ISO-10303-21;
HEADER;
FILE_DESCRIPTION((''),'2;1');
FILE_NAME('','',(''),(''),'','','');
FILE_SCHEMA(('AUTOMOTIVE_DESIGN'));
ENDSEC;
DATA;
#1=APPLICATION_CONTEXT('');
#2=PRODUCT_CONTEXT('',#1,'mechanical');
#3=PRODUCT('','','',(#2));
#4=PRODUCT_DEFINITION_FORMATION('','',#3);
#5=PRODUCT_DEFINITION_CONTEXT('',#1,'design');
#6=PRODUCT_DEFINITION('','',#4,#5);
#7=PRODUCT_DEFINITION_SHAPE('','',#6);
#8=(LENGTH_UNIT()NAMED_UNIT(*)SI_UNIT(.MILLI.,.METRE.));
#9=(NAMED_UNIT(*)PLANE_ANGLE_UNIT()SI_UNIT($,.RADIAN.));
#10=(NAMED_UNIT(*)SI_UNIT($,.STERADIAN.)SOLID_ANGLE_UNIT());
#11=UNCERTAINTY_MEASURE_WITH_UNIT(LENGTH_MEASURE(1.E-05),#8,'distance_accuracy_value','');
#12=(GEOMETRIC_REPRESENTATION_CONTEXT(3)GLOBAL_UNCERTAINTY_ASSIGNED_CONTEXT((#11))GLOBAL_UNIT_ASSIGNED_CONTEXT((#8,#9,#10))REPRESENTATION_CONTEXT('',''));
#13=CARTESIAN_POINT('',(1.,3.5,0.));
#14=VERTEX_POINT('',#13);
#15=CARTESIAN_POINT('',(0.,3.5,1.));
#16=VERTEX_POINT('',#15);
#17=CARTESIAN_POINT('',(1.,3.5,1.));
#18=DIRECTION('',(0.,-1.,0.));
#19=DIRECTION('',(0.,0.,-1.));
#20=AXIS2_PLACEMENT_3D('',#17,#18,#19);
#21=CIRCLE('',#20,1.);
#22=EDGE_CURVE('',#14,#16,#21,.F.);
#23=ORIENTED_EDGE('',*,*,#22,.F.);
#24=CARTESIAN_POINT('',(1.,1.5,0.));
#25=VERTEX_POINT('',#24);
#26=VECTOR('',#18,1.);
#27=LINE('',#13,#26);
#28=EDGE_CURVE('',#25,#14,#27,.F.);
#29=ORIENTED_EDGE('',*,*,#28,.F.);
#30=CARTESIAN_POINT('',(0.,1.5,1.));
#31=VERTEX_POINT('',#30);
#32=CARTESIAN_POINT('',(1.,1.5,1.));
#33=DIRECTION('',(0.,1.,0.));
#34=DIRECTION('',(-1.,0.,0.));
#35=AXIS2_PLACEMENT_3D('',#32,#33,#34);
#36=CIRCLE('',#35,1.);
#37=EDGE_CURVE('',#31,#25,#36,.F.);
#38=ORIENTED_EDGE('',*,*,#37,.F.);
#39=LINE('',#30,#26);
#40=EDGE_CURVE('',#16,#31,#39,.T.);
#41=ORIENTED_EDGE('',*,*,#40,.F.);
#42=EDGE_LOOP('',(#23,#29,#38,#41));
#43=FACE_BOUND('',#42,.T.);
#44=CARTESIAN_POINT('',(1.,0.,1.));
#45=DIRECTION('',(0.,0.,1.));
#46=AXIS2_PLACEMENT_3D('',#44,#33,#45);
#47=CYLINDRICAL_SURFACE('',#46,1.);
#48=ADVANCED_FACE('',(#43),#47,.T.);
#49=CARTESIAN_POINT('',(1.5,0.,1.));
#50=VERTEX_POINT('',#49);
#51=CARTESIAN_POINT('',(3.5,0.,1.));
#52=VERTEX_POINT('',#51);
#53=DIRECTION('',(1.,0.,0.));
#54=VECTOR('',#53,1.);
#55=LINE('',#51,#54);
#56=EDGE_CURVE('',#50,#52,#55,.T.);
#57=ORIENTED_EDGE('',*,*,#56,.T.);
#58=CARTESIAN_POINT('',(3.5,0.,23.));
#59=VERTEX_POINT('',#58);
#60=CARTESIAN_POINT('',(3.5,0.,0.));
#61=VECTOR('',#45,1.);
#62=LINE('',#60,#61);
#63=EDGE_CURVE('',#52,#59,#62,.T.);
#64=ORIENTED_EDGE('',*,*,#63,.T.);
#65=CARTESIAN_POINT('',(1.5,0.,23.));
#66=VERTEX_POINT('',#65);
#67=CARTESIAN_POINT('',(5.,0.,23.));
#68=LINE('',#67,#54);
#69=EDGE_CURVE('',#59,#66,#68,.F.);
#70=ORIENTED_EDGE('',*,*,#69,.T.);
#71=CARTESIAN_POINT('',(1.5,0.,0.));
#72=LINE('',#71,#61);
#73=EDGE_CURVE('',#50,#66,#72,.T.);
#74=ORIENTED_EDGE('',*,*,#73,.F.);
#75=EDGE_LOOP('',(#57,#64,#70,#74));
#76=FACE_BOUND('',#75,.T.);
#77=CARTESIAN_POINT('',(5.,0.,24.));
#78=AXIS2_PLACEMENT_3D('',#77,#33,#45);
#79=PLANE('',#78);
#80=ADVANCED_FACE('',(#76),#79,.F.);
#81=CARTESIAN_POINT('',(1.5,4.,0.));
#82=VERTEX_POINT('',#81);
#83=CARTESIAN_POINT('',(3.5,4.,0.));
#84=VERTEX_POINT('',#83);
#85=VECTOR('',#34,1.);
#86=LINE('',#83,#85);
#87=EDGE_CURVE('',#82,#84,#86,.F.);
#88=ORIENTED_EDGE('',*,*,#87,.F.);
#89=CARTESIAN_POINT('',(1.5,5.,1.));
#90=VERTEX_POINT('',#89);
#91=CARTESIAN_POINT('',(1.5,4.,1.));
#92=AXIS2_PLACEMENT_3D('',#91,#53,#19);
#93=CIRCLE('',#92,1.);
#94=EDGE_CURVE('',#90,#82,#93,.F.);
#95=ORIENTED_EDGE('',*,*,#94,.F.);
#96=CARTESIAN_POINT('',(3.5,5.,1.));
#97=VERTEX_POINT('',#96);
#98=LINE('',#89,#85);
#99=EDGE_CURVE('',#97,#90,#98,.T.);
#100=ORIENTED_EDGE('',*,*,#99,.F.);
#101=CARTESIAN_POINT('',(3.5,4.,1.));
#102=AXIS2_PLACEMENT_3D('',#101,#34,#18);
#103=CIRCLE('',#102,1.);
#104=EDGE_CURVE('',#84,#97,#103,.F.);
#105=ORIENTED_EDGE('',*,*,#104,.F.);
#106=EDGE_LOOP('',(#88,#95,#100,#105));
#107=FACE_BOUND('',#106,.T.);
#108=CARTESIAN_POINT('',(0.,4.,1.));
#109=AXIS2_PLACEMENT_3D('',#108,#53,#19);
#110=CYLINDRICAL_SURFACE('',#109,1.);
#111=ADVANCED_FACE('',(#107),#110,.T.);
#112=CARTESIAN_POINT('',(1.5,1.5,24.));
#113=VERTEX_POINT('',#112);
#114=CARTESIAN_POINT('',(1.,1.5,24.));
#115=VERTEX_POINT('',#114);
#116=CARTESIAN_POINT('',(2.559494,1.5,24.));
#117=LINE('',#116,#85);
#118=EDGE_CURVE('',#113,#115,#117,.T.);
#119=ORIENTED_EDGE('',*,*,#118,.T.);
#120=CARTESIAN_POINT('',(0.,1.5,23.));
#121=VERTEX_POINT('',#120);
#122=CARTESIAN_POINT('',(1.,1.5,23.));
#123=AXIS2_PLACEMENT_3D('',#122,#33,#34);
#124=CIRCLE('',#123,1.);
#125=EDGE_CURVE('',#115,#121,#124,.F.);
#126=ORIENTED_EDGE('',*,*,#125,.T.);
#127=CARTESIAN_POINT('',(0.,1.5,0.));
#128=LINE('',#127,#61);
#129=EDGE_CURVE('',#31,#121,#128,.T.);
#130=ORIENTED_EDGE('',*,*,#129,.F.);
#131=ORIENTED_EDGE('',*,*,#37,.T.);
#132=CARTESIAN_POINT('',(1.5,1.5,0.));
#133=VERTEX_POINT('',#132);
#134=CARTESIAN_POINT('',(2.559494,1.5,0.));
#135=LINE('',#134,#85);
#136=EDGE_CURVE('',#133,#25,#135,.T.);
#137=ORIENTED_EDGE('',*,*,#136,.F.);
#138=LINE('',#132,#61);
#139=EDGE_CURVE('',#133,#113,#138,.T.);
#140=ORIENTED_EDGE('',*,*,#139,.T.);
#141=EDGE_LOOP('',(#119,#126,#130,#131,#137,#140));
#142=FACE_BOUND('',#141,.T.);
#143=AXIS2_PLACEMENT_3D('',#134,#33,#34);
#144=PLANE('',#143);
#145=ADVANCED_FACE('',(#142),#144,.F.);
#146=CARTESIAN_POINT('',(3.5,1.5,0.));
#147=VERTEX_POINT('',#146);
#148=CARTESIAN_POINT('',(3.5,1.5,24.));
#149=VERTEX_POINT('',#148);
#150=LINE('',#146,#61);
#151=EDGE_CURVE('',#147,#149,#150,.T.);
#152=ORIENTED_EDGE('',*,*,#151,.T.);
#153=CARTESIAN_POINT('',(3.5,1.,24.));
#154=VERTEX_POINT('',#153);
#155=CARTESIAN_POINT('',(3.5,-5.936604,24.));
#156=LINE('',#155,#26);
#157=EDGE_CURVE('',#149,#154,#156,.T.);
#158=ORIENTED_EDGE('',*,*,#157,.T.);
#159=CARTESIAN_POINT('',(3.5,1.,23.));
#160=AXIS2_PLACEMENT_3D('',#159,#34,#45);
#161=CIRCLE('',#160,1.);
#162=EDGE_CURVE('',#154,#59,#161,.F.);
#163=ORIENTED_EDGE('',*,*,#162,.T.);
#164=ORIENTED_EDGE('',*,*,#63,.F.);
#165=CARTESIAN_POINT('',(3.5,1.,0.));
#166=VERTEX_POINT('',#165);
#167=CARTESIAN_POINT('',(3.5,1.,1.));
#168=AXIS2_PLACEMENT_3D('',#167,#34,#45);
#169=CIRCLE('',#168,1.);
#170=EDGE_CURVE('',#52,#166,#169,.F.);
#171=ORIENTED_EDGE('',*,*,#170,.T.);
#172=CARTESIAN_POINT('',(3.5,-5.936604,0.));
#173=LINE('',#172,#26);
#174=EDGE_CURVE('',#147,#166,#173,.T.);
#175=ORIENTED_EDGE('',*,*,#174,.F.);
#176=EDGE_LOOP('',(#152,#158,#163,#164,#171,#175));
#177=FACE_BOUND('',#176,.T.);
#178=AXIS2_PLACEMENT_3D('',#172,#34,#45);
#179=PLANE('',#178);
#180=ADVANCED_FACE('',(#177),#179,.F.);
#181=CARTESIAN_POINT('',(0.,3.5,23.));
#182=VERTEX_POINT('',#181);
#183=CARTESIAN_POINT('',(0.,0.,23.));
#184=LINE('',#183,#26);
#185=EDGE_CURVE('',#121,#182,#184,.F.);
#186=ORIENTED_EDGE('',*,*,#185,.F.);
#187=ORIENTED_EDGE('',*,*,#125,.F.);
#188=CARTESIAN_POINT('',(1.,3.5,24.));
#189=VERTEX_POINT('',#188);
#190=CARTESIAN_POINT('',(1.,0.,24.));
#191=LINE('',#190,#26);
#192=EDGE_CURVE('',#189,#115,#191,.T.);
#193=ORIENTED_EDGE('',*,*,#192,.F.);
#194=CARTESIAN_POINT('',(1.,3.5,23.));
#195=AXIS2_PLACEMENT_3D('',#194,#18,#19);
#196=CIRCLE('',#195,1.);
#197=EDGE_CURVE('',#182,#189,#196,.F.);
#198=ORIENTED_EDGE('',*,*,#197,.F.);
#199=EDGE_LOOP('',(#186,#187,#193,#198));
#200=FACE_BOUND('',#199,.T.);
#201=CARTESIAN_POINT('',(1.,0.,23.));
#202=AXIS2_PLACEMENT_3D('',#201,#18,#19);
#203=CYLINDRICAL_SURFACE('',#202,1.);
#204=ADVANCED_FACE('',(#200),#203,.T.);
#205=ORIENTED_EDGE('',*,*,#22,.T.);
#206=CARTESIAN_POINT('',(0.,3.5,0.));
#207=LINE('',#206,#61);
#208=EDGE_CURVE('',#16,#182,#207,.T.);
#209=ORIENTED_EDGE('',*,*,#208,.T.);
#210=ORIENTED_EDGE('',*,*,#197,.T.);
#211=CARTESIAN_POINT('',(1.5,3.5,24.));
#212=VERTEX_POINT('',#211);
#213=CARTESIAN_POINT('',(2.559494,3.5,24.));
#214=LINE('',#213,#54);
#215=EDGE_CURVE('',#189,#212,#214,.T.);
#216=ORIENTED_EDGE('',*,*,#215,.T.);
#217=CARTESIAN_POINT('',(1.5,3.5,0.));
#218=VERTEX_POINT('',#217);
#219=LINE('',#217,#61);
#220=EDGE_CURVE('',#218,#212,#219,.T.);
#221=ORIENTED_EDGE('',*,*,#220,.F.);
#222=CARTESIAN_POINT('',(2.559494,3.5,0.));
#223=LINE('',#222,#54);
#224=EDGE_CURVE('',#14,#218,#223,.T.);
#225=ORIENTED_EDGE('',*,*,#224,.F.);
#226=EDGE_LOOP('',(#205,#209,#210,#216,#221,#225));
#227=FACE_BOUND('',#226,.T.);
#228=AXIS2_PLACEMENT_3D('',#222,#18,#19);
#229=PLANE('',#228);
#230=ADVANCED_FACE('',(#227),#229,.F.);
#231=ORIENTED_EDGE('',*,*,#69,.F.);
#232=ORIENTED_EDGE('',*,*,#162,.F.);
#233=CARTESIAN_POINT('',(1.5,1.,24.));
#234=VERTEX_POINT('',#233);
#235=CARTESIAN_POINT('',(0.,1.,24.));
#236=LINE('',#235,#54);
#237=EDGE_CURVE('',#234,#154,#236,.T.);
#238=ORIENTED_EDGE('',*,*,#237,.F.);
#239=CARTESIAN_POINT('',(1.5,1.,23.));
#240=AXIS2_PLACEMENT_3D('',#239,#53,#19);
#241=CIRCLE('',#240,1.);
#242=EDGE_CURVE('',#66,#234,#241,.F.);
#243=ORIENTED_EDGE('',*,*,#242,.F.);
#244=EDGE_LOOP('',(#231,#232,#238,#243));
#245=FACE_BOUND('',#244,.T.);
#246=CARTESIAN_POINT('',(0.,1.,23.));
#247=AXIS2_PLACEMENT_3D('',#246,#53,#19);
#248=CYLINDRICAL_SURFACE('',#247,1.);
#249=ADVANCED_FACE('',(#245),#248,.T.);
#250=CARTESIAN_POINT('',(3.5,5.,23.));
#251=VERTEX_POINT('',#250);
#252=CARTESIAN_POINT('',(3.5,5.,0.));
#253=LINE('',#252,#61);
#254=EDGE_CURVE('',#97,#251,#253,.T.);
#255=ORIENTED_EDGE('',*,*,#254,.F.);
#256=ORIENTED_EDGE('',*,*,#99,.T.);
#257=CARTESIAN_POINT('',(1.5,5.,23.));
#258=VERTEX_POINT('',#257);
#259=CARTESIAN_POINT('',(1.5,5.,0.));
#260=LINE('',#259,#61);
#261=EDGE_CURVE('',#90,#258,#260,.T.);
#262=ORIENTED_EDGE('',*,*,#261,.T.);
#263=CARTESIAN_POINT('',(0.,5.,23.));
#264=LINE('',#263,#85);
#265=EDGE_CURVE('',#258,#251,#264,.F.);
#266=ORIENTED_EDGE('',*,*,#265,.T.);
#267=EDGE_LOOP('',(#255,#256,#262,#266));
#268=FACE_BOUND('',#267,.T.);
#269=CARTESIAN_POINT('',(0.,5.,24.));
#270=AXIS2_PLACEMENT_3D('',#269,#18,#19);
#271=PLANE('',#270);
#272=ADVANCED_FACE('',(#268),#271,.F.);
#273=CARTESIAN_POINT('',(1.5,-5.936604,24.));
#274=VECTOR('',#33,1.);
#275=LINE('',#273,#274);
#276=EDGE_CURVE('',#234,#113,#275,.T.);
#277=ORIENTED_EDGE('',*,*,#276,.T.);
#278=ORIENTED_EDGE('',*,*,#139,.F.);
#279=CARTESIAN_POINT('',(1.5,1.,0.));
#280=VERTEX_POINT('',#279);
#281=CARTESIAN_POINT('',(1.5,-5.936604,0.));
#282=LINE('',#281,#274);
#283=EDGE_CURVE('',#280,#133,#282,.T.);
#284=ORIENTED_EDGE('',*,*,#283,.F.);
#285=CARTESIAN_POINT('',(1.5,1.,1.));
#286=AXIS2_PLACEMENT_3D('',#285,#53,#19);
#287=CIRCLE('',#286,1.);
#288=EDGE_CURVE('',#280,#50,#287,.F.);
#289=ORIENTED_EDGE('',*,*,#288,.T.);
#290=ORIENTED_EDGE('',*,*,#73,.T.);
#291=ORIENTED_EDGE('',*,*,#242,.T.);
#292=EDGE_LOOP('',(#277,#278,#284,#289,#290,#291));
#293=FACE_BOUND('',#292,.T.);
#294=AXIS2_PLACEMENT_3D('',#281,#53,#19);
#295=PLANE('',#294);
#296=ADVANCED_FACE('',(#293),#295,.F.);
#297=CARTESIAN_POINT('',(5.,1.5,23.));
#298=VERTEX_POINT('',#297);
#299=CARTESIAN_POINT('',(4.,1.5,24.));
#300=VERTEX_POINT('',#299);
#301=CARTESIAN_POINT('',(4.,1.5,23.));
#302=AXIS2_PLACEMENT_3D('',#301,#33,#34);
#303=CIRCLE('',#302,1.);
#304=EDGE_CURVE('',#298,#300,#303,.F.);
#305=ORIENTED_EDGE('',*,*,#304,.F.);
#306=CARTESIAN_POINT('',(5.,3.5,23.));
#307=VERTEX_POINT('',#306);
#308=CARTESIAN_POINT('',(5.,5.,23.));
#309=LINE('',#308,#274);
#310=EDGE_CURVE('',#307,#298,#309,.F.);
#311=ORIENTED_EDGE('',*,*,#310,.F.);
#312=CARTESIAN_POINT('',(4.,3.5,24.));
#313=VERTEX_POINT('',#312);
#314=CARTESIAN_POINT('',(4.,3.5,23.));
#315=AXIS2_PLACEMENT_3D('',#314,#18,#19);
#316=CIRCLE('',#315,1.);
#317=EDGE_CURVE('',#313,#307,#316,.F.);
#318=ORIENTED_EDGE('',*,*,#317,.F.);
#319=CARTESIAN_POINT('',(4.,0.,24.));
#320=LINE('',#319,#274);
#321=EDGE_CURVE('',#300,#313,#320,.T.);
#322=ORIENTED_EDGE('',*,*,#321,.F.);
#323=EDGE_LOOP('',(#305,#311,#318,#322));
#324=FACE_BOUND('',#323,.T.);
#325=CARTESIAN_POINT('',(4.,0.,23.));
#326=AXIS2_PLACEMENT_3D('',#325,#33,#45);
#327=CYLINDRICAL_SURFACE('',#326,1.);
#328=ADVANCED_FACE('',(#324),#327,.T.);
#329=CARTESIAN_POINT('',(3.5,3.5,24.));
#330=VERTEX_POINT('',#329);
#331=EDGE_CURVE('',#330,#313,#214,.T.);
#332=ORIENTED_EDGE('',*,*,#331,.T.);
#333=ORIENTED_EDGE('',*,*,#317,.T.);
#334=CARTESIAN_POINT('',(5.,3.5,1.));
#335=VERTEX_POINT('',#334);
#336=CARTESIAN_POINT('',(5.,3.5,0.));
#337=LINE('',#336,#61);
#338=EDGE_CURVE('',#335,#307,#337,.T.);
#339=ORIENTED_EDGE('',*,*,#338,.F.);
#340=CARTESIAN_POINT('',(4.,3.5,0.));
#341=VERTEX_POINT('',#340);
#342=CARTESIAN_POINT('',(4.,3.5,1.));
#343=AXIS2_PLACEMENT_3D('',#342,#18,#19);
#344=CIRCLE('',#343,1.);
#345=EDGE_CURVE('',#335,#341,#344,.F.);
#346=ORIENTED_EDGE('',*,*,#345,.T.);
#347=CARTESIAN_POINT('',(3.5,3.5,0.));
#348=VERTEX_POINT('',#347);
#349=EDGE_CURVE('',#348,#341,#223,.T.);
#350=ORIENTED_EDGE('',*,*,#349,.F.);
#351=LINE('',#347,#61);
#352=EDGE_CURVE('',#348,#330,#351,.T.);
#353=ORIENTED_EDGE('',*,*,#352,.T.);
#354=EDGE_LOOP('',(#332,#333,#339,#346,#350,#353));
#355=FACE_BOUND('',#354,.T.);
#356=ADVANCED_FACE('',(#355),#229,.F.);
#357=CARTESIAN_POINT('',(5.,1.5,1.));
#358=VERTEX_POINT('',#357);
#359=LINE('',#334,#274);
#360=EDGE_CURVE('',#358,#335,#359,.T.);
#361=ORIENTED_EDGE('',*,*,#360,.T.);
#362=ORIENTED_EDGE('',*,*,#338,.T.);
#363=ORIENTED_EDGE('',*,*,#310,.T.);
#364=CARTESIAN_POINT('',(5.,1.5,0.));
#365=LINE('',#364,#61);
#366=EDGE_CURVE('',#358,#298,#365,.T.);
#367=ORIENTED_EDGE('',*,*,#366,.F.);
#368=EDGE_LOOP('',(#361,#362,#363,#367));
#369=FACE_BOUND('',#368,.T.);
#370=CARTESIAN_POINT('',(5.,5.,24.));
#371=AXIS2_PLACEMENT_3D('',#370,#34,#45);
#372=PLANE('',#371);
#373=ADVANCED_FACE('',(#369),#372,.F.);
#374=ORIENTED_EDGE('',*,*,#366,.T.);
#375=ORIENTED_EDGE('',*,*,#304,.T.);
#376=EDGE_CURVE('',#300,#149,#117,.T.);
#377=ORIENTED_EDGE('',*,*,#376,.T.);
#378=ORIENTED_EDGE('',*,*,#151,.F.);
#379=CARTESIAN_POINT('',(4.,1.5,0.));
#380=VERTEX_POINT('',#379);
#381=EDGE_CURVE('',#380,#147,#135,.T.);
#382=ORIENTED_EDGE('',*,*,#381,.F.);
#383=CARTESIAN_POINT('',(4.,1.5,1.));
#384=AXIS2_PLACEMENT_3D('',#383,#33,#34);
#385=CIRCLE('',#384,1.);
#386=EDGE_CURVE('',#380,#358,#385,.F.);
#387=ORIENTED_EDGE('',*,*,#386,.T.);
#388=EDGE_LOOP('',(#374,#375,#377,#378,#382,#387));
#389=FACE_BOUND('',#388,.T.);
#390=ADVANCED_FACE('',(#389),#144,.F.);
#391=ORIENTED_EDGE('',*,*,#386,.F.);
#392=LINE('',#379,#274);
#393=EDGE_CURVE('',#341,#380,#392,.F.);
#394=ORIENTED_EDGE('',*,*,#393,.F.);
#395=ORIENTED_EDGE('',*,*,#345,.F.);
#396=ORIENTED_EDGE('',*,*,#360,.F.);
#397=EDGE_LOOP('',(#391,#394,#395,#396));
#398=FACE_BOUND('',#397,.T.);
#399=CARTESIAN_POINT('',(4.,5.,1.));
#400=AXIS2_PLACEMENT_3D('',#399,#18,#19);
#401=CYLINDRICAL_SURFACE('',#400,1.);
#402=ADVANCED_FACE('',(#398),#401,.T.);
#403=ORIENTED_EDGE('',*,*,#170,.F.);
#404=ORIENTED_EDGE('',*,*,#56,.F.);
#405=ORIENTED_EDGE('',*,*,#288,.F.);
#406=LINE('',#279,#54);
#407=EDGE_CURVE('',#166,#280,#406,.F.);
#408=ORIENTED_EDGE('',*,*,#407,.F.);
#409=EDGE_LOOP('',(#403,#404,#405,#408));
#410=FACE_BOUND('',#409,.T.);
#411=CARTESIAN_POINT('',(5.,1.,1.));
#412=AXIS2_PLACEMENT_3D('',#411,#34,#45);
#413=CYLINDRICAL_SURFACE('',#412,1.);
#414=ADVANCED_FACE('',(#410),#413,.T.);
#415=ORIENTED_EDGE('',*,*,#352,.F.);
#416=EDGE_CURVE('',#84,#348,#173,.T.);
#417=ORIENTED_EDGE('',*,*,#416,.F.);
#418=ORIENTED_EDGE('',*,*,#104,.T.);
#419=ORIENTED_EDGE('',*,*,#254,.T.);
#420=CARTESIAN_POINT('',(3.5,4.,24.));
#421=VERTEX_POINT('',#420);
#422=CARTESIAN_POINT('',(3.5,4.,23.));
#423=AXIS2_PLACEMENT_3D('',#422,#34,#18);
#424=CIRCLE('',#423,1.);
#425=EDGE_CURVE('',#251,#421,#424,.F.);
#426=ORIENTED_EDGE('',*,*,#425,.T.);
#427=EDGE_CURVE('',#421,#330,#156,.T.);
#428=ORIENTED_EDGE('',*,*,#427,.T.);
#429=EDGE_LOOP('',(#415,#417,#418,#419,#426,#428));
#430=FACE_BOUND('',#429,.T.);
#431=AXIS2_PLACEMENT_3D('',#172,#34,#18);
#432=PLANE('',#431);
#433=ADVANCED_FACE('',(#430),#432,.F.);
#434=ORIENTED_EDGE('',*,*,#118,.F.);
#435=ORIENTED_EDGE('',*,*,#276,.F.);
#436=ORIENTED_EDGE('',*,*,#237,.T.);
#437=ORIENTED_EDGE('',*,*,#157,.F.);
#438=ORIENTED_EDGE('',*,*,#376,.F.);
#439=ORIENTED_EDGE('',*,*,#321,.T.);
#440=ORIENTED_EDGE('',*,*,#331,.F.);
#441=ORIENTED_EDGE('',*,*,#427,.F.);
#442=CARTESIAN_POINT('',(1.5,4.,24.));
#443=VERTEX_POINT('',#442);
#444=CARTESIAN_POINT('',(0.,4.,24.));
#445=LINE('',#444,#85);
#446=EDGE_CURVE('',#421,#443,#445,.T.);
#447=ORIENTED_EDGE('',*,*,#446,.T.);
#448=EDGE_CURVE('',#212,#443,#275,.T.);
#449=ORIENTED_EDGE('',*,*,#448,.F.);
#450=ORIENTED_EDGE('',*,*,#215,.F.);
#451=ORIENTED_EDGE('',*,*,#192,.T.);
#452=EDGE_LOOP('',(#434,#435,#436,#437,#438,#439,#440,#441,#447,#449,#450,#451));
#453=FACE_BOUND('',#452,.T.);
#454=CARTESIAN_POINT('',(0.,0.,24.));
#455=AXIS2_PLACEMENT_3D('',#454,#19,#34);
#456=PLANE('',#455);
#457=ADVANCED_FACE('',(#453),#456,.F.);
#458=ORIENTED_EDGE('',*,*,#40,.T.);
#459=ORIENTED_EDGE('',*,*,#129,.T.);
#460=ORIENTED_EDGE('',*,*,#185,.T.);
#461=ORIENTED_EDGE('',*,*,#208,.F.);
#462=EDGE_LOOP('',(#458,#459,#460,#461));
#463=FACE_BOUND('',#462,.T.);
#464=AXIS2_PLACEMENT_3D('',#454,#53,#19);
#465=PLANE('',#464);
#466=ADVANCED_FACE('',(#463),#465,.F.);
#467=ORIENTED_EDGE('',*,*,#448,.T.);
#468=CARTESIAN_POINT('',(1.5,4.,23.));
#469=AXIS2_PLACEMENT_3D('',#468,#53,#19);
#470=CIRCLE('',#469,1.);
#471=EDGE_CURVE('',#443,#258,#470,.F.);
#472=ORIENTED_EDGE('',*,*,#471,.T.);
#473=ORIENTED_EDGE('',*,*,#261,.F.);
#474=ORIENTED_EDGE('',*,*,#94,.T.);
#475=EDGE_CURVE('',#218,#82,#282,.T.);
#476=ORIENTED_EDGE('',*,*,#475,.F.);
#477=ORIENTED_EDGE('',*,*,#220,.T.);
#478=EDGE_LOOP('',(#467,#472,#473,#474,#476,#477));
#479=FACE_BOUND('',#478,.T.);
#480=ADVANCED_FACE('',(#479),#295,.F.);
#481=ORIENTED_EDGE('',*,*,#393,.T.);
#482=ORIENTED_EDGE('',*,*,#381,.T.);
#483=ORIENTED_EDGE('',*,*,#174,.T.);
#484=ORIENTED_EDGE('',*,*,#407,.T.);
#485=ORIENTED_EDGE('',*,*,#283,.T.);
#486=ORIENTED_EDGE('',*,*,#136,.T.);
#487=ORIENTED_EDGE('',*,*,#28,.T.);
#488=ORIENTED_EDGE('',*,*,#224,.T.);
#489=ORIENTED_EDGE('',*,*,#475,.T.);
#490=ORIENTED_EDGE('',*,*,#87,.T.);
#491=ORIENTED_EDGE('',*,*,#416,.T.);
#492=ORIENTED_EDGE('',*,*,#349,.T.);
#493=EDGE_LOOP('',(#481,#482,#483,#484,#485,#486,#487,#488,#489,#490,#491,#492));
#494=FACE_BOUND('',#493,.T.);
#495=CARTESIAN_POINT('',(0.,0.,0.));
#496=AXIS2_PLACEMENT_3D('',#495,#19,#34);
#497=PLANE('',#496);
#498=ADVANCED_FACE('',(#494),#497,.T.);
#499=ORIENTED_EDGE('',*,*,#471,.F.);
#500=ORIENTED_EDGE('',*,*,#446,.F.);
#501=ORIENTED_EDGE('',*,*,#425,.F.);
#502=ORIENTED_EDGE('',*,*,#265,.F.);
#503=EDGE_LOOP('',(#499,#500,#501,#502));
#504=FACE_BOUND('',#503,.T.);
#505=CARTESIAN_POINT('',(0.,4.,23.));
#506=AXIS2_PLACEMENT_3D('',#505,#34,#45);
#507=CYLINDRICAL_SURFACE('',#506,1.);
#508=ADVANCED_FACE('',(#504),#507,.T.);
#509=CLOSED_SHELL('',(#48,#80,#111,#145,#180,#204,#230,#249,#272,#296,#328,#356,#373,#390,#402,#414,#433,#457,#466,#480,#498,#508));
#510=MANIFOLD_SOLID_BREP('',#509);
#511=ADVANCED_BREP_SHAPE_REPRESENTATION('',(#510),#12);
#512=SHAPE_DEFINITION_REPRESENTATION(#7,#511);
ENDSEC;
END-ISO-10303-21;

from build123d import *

# Parameters (mm, degrees)
SKETCH1_W           = 5
SKETCH1_H           = 5
BOSS_EXTRUDE1_DEPTH = 24
SKETCH2_W           = 1.5
SKETCH2_H           = 1.5
CUT_EXTRUDE1_DEPTH  = 26.019992006
FILLET1_R           = 1
FILLET2_R           = 1


with BuildPart() as part:
    # Sketch1 → Boss-Extrude1 (new body)
    with BuildSketch(Plane.XY):
        with Locations((2.5, 2.5)):
            Rectangle(SKETCH1_W, SKETCH1_H)
    extrude(amount=BOSS_EXTRUDE1_DEPTH)

    # Sketch2 → Cut-Extrude1 (cut, through all)
    with BuildSketch(Plane.XY.offset(24)):
        with Locations((0.75, 4.25)):
            Rectangle(SKETCH2_W, SKETCH2_H)
        with Locations((4.25, 4.25)):
            Rectangle(SKETCH2_W, SKETCH2_H)
        with Locations((4.25, 0.75)):
            Rectangle(SKETCH2_W, SKETCH2_H)
        with Locations((0.75, 0.75)):
            Rectangle(SKETCH2_W, SKETCH2_H)
    extrude(amount=-CUT_EXTRUDE1_DEPTH, mode=Mode.SUBTRACT)

    # Fillet1
    fillet1_edges = [part.edges().sort_by_distance(p)[0] for p in [
        (0, 2.5, 24),
        (2.5, 5, 24),
        (5, 2.5, 24),
        (2.5, 0, 24),
    ]]
    fillet(fillet1_edges, radius=FILLET1_R)

    # Fillet2
    fillet2_edges = [part.edges().sort_by_distance(p)[0] for p in [
        (0, 2.5, 0),
        (2.5, 5, 0),
        (5, 2.5, 0),
        (2.5, 0, 0),
    ]]
    fillet(fillet2_edges, radius=FILLET2_R)


solid = part.part
